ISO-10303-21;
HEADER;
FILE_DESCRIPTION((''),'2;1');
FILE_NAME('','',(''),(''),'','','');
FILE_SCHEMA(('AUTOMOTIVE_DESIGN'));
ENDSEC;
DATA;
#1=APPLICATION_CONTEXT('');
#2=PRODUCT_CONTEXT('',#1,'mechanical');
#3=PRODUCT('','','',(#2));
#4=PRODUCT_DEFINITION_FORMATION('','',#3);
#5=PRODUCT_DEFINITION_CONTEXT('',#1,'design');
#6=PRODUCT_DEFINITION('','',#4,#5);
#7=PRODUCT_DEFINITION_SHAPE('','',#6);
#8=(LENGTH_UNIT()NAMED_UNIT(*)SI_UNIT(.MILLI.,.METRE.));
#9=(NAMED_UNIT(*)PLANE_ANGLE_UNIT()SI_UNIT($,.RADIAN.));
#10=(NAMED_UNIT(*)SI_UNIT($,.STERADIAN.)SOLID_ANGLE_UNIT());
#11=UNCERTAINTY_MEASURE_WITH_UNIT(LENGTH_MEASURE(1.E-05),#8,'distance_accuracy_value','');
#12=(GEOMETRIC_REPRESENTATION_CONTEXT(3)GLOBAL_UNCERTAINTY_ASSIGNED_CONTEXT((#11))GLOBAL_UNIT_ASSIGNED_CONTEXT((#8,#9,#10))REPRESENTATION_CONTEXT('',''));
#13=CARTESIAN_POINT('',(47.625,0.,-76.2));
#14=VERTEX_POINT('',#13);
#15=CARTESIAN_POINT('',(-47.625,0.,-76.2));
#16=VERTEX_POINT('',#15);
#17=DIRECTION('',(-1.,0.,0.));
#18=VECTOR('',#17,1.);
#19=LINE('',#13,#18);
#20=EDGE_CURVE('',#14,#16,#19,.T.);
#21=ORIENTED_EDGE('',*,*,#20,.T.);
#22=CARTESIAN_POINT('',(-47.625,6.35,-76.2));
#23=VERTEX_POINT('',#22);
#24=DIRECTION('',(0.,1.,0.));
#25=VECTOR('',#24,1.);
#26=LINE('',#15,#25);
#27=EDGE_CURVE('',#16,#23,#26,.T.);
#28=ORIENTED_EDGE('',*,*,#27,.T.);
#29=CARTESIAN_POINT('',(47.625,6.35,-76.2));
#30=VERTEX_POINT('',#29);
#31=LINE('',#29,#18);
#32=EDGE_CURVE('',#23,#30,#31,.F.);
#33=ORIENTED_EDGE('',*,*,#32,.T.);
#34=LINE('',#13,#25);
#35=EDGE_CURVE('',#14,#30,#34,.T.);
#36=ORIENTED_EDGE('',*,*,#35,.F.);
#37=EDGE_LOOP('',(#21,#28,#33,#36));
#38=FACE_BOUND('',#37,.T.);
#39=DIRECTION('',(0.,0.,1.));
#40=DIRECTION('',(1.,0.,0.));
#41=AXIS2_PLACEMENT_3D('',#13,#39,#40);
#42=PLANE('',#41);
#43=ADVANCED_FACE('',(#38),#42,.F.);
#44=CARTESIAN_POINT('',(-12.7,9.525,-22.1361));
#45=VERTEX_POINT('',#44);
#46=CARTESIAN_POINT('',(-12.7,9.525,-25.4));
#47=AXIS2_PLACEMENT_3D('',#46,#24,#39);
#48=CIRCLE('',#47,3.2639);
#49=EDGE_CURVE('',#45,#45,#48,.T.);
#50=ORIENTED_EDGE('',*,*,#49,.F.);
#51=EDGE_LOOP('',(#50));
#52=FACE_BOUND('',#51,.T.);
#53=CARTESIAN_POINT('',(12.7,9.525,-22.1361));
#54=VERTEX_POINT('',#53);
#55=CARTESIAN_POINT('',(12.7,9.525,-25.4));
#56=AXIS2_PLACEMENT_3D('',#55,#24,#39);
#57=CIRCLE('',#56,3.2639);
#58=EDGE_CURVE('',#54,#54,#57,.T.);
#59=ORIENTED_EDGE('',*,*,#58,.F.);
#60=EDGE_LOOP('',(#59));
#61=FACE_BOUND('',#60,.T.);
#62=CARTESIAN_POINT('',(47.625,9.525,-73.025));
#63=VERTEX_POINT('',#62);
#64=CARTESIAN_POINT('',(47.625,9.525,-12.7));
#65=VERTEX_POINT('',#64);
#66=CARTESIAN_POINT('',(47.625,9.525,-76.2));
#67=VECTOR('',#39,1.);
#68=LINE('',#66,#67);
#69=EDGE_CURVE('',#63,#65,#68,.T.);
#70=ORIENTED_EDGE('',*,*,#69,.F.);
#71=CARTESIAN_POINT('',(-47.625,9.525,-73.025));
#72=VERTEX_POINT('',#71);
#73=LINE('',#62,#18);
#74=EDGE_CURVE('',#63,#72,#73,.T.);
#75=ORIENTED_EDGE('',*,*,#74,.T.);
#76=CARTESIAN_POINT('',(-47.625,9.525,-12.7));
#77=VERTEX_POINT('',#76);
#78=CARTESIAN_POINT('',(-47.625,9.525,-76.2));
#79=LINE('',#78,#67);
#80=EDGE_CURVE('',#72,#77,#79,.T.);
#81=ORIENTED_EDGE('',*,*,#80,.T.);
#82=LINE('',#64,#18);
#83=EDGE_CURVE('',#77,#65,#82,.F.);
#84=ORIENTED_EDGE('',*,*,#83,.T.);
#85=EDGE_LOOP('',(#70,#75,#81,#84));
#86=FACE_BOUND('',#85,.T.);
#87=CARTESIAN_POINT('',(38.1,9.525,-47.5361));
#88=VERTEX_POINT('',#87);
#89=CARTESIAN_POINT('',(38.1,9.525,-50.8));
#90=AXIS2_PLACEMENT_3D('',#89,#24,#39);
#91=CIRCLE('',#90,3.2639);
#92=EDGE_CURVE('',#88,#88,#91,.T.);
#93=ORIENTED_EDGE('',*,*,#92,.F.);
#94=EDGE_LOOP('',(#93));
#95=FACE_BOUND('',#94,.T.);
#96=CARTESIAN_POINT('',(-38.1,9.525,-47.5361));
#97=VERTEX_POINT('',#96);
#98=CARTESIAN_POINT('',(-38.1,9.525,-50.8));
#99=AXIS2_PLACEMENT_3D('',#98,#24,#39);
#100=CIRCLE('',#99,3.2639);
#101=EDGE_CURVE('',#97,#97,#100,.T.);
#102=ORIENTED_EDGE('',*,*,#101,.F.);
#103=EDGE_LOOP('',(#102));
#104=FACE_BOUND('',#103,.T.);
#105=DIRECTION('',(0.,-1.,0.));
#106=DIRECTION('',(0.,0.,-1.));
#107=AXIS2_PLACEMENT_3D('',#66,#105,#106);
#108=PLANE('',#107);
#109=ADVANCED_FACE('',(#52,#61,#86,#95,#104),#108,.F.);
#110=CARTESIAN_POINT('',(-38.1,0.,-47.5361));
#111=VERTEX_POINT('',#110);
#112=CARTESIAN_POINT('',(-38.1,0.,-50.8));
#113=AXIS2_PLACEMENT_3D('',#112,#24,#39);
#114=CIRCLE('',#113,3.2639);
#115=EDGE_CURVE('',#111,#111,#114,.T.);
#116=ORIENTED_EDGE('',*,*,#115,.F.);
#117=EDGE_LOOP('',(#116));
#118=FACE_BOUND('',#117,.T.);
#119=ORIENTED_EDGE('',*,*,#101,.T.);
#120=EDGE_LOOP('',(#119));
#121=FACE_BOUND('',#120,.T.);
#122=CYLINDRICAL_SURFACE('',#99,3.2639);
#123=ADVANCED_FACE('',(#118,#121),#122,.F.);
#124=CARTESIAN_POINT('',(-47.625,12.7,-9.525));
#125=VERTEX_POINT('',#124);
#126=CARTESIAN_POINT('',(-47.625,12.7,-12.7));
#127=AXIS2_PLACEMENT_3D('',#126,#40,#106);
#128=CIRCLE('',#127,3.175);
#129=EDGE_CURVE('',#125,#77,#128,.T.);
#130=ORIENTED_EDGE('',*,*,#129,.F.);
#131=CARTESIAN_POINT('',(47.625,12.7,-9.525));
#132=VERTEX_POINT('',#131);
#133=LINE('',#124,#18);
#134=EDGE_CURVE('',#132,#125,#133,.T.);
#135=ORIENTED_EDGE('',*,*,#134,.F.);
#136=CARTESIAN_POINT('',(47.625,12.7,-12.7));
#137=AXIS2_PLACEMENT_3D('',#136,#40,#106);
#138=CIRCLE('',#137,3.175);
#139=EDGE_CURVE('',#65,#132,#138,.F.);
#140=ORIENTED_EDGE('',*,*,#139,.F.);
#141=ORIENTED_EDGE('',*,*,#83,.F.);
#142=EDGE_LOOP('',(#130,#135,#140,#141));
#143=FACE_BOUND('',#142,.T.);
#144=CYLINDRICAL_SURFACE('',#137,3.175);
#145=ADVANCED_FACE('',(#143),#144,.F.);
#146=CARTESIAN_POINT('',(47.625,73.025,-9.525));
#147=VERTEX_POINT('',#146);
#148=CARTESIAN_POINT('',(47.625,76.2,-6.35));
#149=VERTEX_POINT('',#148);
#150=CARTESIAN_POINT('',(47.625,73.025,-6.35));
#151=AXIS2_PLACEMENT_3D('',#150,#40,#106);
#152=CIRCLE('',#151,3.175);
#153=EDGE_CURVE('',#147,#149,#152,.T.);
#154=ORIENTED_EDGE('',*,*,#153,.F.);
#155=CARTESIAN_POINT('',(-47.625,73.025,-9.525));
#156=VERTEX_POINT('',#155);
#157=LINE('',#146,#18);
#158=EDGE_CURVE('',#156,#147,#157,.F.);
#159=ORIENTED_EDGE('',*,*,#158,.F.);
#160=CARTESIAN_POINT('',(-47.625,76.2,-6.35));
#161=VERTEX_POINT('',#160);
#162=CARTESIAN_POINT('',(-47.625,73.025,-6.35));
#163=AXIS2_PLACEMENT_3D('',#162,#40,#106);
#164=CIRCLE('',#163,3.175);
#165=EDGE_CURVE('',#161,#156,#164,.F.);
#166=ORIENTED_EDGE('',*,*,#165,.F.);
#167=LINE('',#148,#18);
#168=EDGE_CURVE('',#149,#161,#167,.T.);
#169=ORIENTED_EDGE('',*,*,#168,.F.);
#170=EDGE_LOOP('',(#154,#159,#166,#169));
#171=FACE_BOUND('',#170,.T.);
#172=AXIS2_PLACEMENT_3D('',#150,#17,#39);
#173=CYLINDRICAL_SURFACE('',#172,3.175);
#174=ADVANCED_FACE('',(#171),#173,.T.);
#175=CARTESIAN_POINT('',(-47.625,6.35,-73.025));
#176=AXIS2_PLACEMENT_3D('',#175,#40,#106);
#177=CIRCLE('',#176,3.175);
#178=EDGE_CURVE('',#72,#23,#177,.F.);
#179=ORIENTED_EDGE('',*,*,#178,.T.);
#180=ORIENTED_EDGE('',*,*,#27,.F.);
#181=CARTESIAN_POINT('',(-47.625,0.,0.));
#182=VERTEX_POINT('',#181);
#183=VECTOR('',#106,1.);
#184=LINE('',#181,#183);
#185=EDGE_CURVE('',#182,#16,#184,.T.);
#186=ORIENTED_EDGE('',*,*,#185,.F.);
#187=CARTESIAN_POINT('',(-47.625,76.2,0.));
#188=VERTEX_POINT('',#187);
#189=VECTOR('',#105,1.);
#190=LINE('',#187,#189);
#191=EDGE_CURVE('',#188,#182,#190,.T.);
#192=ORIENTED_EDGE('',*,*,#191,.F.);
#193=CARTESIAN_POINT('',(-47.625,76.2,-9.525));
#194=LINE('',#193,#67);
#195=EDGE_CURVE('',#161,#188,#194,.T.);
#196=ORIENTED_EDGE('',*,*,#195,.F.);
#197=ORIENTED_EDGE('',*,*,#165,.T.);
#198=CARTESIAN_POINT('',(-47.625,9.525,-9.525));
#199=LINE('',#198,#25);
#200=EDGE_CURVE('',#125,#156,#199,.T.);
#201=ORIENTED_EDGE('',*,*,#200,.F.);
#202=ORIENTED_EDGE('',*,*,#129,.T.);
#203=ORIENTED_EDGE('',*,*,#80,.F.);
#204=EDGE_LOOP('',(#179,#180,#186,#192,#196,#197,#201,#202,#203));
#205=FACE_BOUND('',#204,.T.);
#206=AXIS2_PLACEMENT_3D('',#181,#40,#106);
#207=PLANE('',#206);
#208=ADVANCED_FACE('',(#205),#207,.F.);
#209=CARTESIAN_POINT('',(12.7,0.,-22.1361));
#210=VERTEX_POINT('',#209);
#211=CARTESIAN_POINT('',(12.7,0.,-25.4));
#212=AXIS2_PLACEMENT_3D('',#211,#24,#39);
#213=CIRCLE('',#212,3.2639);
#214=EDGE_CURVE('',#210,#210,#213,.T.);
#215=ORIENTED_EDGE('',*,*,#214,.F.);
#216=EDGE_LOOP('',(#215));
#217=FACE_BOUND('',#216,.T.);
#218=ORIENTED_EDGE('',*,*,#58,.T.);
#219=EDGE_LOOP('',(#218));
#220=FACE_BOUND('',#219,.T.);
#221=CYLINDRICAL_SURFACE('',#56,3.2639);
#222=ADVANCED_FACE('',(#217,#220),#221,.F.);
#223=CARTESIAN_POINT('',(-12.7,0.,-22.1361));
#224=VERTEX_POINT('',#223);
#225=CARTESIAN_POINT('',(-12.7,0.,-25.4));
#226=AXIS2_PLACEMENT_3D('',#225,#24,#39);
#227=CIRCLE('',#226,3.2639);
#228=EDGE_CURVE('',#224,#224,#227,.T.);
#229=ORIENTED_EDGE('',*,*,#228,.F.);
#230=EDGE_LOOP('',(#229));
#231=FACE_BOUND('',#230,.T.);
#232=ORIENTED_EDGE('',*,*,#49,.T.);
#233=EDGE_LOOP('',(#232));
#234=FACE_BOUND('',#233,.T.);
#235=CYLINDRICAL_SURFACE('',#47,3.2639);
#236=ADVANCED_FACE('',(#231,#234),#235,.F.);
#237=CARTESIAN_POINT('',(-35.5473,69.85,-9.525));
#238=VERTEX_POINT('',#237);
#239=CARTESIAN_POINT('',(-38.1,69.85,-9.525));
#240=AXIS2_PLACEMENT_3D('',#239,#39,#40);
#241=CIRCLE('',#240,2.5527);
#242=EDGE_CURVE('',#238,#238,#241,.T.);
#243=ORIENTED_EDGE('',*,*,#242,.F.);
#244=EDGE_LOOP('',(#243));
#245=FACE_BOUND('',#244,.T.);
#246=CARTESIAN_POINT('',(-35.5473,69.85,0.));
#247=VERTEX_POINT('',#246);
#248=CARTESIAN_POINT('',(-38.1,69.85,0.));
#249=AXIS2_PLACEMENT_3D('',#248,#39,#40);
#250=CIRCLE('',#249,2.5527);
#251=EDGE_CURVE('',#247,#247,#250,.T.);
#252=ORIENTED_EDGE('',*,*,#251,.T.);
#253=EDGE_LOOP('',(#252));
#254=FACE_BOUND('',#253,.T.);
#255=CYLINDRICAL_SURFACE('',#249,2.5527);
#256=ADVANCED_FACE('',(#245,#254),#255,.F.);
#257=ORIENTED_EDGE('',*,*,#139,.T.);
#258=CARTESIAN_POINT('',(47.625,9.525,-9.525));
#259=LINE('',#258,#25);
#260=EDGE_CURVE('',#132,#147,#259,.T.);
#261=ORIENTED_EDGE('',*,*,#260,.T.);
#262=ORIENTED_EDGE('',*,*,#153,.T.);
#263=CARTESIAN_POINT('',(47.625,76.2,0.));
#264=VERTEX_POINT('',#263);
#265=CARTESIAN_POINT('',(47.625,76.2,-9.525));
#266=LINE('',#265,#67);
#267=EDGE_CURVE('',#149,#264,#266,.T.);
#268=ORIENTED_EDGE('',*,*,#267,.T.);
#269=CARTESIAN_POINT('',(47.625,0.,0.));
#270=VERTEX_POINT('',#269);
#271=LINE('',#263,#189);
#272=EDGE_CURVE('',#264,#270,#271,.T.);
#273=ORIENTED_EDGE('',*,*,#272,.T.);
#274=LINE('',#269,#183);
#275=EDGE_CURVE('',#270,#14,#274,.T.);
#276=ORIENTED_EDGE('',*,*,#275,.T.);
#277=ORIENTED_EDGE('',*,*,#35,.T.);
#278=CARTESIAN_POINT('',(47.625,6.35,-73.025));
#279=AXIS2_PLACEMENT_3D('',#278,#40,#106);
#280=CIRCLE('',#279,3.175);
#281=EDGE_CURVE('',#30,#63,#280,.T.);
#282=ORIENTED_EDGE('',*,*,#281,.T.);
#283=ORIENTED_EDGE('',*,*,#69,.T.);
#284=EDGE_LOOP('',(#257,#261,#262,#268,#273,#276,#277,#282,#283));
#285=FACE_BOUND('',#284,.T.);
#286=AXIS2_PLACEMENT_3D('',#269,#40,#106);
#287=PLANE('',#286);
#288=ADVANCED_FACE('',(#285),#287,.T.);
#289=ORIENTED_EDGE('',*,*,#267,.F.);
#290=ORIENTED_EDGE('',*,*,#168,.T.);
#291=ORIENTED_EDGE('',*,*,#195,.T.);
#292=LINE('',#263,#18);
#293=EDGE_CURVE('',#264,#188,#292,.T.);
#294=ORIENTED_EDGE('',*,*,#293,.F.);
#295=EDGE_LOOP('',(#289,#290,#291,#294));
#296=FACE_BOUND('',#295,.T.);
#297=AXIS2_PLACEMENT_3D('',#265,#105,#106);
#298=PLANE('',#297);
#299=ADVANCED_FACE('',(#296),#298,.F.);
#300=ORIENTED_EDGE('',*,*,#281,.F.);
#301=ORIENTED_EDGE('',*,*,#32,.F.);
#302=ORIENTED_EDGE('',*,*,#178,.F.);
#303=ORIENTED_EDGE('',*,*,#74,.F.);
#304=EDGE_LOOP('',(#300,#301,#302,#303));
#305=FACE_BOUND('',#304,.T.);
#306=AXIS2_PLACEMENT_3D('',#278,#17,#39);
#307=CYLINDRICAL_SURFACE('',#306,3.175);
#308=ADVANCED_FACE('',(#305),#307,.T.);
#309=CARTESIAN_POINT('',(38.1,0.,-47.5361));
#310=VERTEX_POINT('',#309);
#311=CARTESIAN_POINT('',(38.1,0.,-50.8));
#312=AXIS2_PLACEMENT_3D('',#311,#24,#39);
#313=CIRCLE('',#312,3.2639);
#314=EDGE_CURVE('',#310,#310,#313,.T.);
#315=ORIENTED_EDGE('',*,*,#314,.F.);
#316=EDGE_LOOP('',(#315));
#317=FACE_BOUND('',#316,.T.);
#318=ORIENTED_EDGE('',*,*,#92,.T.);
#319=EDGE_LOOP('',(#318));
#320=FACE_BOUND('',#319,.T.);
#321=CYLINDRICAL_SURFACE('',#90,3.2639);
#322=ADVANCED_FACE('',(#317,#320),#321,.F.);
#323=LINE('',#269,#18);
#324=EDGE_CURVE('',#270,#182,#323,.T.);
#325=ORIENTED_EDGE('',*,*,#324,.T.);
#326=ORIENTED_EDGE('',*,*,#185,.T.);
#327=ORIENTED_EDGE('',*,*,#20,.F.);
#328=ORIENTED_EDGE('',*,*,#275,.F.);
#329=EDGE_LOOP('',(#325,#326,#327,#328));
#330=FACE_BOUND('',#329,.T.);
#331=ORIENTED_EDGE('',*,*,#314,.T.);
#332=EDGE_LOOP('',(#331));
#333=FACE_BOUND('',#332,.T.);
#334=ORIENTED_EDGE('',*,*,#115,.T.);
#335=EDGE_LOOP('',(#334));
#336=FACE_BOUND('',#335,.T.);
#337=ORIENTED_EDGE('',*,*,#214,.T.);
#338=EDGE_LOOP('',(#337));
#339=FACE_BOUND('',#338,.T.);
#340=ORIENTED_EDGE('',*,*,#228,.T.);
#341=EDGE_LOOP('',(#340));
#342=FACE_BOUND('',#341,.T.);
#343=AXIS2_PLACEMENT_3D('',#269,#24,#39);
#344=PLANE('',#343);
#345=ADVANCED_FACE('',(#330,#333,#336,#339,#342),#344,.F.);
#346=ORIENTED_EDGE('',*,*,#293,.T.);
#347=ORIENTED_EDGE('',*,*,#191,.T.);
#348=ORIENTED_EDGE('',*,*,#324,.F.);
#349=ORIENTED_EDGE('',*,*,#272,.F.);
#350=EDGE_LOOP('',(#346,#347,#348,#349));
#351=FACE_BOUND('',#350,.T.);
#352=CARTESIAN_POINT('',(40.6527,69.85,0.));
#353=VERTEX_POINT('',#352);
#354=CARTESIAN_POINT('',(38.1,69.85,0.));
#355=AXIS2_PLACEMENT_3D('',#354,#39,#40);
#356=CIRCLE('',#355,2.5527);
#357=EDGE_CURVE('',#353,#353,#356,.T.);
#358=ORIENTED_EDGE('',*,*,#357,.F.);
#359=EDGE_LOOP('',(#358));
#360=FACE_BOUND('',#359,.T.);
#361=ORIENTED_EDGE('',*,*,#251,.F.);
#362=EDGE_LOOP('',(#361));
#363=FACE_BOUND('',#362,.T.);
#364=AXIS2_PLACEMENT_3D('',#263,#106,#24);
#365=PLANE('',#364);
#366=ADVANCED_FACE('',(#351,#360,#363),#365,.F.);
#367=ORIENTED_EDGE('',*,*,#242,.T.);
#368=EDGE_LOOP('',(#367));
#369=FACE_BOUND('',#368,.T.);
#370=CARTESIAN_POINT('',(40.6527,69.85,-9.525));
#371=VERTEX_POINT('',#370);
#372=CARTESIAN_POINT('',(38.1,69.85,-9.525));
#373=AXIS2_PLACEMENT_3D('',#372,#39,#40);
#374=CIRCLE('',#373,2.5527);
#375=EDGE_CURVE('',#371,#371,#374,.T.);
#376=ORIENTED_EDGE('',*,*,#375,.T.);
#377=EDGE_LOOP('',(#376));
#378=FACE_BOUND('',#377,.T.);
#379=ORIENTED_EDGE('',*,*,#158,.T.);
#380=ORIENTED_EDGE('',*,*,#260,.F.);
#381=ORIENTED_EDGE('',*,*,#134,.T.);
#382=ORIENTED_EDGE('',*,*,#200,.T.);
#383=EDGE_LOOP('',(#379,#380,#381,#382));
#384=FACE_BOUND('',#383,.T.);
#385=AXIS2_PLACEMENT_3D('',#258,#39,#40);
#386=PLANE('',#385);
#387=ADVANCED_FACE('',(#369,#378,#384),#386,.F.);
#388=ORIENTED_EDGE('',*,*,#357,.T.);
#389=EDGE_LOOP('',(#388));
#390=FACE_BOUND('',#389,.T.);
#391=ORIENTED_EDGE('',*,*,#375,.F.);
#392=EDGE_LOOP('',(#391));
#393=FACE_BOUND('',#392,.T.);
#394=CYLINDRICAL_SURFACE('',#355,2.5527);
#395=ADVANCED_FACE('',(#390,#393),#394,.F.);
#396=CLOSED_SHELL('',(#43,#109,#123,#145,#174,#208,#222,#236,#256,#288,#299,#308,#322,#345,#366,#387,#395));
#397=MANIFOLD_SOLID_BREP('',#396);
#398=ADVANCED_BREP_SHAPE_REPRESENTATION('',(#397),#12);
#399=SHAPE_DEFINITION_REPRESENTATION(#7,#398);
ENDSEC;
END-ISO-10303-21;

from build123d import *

# Parameters (mm, degrees)
BOSS_EXTRUDE1_DEPTH     = 47.625
FILLET1_R               = 3.175
F_1_4_20_TAPPED_HOLE1_D = 5.1054
F_1_4_CLEARANCE_HOLE1_D = 6.5278


with BuildPart() as part:
    # Sketch1 → Boss-Extrude1 (new, symmetric)
    with BuildSketch(Plane(origin=(0, 0, 0), x_dir=(0, 0, -1), z_dir=(1, 0, 0))):
        Polygon((0, 76.2), (0, 0), (76.2, 0), (76.2, 9.525), (9.525, 9.525), (9.525, 76.2), align=None)
    extrude(amount=BOSS_EXTRUDE1_DEPTH, both=True)

    # Fillet1
    fillet1_edges = [part.edges().sort_by_distance(p)[0] for p in [
        (0, 76.2, -9.525),
        (0, 9.525, -9.525),
        (0, 9.525, -76.2),
    ]]
    fillet(fillet1_edges, radius=FILLET1_R)

    # 1/4-20 Tapped Hole1 (through all)
    with Locations(Plane.XY):
        with Locations((-38.1, 69.85), (38.1, 69.85)):
            Hole(F_1_4_20_TAPPED_HOLE1_D / 2)

    # 1/4 Clearance Hole1 (through all)
    with Locations(Plane(origin=(0, 9.525, 0), x_dir=(1, 0, 0), z_dir=(0, 1, 0))):
        with Locations((-38.1, 50.8), (38.1, 50.8), (-12.7, 25.4), (12.7, 25.4)):
            Hole(F_1_4_CLEARANCE_HOLE1_D / 2)


solid = part.part
